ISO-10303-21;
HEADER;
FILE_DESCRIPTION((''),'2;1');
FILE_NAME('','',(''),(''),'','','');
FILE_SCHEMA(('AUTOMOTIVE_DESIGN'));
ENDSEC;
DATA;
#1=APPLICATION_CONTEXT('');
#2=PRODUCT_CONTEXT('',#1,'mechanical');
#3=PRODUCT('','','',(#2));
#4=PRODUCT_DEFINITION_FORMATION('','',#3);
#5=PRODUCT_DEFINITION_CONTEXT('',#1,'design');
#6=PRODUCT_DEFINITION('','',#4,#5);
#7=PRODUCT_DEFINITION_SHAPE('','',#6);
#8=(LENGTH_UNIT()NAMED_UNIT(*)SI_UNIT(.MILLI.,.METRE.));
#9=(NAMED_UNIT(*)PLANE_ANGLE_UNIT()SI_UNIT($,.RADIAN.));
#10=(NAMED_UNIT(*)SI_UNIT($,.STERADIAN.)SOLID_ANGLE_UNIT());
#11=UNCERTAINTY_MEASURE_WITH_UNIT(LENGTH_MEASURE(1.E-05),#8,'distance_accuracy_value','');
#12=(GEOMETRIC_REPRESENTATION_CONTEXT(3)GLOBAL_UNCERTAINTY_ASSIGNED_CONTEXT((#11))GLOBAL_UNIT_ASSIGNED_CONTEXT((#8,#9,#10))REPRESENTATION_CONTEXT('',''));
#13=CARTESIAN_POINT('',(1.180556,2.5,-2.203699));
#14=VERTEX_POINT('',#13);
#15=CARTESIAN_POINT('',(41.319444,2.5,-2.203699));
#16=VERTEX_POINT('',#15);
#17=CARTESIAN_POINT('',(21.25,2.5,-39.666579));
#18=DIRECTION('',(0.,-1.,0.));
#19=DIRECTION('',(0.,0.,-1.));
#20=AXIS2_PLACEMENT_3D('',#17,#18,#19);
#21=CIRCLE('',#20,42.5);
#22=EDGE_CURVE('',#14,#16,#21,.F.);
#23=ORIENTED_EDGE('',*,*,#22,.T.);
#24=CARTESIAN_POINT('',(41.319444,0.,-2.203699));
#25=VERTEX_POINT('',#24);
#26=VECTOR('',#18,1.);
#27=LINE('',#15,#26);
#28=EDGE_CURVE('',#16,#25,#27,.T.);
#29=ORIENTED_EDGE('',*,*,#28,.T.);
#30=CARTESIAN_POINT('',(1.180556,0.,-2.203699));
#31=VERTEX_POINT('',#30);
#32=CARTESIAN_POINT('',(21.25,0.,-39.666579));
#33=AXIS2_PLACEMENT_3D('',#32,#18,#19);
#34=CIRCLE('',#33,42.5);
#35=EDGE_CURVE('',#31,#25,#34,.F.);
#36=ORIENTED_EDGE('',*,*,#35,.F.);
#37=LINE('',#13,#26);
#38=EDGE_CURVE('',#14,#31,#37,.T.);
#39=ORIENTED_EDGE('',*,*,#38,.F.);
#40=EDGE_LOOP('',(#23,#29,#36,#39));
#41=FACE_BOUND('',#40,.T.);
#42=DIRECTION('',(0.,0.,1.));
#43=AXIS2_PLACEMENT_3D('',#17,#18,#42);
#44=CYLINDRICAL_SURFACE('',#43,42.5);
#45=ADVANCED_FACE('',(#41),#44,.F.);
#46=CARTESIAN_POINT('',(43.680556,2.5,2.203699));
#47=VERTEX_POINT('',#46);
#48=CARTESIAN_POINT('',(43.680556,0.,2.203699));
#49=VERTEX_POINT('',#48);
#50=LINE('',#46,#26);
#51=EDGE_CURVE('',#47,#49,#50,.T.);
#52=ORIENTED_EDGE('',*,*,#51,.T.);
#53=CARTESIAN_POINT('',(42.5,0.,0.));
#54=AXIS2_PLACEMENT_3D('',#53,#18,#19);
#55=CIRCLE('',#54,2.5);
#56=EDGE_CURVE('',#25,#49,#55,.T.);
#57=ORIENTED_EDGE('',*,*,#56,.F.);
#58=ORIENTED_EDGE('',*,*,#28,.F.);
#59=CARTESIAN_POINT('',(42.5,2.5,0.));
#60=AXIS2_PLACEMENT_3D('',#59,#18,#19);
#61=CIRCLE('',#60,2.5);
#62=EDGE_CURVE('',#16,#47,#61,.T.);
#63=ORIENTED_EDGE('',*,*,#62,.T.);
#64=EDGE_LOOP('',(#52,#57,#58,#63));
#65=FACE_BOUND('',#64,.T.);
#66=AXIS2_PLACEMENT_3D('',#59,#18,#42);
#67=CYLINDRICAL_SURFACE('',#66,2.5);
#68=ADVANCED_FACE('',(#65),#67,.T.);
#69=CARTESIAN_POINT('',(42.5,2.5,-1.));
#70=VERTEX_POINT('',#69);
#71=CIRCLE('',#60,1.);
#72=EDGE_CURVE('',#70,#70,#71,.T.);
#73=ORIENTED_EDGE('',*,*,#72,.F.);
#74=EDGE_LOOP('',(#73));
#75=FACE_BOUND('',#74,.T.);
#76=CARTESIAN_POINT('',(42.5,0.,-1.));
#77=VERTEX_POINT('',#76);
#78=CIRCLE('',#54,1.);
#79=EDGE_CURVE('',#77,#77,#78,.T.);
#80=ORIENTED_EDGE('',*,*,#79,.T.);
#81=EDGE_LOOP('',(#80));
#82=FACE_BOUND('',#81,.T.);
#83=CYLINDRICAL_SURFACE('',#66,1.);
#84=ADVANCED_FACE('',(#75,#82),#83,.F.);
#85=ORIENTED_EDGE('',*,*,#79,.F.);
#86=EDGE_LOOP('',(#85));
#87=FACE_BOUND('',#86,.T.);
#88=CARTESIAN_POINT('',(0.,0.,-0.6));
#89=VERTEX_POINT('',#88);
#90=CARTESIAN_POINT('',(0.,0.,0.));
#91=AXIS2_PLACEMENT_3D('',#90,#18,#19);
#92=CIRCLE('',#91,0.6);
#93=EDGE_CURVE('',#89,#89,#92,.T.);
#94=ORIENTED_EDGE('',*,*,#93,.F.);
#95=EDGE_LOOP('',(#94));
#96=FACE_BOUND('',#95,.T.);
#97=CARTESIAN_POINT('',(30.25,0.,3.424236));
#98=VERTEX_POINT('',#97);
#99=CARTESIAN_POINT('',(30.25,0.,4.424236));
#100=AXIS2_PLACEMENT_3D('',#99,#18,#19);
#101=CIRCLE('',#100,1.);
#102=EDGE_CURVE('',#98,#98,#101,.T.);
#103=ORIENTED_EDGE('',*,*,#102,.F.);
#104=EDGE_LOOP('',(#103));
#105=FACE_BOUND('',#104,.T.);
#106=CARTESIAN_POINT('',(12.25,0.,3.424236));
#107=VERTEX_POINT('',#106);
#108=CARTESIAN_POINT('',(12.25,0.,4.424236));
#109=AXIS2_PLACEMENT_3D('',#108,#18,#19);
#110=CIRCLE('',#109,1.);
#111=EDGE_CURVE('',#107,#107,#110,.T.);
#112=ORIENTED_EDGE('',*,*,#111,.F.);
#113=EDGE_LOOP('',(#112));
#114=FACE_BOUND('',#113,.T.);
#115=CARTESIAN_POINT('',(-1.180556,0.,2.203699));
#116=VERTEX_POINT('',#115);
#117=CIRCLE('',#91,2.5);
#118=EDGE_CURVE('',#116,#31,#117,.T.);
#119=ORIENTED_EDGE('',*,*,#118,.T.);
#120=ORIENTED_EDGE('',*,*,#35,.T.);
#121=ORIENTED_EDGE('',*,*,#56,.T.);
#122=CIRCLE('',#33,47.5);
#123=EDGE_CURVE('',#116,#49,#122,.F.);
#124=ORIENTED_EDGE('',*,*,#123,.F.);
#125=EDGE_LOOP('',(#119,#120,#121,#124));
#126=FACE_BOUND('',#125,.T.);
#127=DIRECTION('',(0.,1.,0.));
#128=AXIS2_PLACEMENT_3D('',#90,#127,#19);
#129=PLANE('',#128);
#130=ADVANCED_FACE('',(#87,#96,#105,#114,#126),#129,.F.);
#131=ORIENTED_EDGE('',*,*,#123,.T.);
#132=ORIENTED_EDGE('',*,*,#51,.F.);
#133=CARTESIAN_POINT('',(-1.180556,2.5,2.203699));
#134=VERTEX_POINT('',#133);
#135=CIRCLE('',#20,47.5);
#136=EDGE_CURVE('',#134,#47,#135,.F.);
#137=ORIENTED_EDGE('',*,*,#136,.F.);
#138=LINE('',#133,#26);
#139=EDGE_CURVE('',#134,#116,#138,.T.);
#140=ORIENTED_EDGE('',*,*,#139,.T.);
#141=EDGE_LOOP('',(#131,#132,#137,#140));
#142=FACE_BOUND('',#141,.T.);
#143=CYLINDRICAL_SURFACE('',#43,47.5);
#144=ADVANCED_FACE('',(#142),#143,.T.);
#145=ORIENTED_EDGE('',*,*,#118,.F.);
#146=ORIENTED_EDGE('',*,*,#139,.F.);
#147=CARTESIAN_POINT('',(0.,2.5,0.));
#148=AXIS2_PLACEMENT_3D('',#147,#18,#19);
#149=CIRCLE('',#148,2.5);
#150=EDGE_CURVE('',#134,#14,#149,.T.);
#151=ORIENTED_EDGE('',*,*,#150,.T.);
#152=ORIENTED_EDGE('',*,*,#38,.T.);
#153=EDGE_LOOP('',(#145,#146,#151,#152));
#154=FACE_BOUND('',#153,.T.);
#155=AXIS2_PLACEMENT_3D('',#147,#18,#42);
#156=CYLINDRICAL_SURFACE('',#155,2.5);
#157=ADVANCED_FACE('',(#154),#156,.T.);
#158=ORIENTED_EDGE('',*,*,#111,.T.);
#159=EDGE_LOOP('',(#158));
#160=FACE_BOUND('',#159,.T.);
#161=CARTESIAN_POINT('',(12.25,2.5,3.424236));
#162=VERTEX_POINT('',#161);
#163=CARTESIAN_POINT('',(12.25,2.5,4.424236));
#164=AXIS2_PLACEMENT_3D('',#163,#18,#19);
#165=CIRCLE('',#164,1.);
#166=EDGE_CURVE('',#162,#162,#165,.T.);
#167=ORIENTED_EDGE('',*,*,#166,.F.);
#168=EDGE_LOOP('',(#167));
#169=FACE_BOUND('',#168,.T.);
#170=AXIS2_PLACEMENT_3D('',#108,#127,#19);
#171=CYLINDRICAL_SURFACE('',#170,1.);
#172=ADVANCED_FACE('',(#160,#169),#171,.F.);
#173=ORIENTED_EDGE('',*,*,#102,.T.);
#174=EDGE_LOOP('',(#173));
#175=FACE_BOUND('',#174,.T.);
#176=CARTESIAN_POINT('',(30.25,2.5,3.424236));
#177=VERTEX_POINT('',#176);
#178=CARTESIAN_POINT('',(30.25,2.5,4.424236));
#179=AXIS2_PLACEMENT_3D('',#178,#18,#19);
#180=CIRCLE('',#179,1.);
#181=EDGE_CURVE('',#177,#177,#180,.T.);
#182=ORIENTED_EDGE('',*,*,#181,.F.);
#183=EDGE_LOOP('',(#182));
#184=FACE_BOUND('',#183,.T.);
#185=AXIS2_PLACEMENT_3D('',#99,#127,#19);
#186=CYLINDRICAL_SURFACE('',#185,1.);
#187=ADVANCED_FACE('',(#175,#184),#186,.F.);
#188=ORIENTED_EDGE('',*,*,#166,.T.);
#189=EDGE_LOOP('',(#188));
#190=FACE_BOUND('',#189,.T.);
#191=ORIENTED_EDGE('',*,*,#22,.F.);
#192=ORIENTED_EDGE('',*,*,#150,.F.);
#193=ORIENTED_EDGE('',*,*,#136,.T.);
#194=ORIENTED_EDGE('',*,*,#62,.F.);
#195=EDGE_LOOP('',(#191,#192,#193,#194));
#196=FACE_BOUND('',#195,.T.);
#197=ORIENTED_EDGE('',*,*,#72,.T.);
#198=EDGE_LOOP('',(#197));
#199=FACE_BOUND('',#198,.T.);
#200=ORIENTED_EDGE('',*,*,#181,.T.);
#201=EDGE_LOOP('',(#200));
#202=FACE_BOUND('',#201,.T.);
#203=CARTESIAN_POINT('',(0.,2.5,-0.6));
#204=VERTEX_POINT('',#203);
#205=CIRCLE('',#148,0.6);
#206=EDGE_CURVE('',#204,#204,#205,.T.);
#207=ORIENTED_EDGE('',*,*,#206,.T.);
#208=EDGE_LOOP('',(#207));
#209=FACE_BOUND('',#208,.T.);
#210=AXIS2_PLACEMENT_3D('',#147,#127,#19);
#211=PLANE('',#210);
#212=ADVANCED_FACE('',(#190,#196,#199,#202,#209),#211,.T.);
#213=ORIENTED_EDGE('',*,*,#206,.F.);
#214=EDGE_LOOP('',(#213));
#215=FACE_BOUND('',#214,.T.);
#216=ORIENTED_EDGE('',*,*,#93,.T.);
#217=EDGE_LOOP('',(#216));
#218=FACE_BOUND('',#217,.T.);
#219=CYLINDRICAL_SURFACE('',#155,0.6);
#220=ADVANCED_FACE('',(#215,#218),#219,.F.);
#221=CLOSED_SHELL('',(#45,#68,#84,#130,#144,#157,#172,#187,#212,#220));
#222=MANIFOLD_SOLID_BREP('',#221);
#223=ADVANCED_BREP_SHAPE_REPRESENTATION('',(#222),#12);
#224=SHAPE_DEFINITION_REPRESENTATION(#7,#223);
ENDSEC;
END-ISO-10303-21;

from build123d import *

# Parameters (mm, degrees)
SKETCH1_R           = 2.5
SKETCH1_R_2         = 0.6
SKETCH1_R_3         = 1
BOSS_EXTRUDE1_DEPTH = 2.5
SKETCH2_R           = 1
CUT_EXTRUDE1_DEPTH  = 46.745081512


with BuildPart() as part:
    # Sketch1 → Boss-Extrude1 (new body)
    # profile 1 of 3: a face of its own
    with BuildSketch(Plane(origin=(0, 0, 0), x_dir=(1, 0, 0), z_dir=(0, 1, 0))):
        Circle(SKETCH1_R)
        with Locations(Location((0, 0, 0), (0, 0, 270))):
            Circle(SKETCH1_R_2, mode=Mode.SUBTRACT)
    # profile 2 of 3: a face of its own
    with BuildSketch(Plane(origin=(0, 0, 0), x_dir=(1, 0, 0), z_dir=(0, 1, 0))):
        with BuildLine():
            ThreePointArc((-1.180555556, 2.203698841), (1.284252917, 2.144922946), (2.5, 0))
            ThreePointArc((2.5, 0), (2.144922946, -1.284252917), (1.180555556, -2.203698841))
            ThreePointArc((1.180555556, -2.203698841), (21.25, 2.833420868), (41.319444444, -2.203698841))
            ThreePointArc((41.319444444, -2.203698841), (40.296301159, 1.180555556), (43.680555556, 2.203698841))
            ThreePointArc((43.680555556, 2.203698841), (21.25, 7.833420868), (-1.180555556, 2.203698841))
        make_face()
    # profile 3 of 3: a face of its own
    with BuildSketch(Plane(origin=(0, 0, 0), x_dir=(1, 0, 0), z_dir=(0, 1, 0))):
        with Locations((42.5, 0)):
            Circle(SKETCH1_R)
        with Locations(Location((42.5, 0, 0), (0, 0, 270))):
            Circle(SKETCH1_R_3, mode=Mode.SUBTRACT)
    extrude(amount=BOSS_EXTRUDE1_DEPTH)

    # Sketch2 → Cut-Extrude1 (cut, through all)
    with BuildSketch(Plane(origin=(0, 2.5, 0), x_dir=(1, 0, 0), z_dir=(0, 1, 0))):
        with Locations(Location((12.25, 4.424236239, 0), (0, 0, 270))):
            Circle(SKETCH2_R)
        with Locations(Location((30.25, 4.424236239, 0), (0, 0, 270))):
            Circle(SKETCH2_R)
    extrude(amount=-CUT_EXTRUDE1_DEPTH, mode=Mode.SUBTRACT)


with BuildPart() as body_2:
    # Mirror1: mirrored copy
    add(part.part.mirror(Plane.XY))


solid = body_2.part
